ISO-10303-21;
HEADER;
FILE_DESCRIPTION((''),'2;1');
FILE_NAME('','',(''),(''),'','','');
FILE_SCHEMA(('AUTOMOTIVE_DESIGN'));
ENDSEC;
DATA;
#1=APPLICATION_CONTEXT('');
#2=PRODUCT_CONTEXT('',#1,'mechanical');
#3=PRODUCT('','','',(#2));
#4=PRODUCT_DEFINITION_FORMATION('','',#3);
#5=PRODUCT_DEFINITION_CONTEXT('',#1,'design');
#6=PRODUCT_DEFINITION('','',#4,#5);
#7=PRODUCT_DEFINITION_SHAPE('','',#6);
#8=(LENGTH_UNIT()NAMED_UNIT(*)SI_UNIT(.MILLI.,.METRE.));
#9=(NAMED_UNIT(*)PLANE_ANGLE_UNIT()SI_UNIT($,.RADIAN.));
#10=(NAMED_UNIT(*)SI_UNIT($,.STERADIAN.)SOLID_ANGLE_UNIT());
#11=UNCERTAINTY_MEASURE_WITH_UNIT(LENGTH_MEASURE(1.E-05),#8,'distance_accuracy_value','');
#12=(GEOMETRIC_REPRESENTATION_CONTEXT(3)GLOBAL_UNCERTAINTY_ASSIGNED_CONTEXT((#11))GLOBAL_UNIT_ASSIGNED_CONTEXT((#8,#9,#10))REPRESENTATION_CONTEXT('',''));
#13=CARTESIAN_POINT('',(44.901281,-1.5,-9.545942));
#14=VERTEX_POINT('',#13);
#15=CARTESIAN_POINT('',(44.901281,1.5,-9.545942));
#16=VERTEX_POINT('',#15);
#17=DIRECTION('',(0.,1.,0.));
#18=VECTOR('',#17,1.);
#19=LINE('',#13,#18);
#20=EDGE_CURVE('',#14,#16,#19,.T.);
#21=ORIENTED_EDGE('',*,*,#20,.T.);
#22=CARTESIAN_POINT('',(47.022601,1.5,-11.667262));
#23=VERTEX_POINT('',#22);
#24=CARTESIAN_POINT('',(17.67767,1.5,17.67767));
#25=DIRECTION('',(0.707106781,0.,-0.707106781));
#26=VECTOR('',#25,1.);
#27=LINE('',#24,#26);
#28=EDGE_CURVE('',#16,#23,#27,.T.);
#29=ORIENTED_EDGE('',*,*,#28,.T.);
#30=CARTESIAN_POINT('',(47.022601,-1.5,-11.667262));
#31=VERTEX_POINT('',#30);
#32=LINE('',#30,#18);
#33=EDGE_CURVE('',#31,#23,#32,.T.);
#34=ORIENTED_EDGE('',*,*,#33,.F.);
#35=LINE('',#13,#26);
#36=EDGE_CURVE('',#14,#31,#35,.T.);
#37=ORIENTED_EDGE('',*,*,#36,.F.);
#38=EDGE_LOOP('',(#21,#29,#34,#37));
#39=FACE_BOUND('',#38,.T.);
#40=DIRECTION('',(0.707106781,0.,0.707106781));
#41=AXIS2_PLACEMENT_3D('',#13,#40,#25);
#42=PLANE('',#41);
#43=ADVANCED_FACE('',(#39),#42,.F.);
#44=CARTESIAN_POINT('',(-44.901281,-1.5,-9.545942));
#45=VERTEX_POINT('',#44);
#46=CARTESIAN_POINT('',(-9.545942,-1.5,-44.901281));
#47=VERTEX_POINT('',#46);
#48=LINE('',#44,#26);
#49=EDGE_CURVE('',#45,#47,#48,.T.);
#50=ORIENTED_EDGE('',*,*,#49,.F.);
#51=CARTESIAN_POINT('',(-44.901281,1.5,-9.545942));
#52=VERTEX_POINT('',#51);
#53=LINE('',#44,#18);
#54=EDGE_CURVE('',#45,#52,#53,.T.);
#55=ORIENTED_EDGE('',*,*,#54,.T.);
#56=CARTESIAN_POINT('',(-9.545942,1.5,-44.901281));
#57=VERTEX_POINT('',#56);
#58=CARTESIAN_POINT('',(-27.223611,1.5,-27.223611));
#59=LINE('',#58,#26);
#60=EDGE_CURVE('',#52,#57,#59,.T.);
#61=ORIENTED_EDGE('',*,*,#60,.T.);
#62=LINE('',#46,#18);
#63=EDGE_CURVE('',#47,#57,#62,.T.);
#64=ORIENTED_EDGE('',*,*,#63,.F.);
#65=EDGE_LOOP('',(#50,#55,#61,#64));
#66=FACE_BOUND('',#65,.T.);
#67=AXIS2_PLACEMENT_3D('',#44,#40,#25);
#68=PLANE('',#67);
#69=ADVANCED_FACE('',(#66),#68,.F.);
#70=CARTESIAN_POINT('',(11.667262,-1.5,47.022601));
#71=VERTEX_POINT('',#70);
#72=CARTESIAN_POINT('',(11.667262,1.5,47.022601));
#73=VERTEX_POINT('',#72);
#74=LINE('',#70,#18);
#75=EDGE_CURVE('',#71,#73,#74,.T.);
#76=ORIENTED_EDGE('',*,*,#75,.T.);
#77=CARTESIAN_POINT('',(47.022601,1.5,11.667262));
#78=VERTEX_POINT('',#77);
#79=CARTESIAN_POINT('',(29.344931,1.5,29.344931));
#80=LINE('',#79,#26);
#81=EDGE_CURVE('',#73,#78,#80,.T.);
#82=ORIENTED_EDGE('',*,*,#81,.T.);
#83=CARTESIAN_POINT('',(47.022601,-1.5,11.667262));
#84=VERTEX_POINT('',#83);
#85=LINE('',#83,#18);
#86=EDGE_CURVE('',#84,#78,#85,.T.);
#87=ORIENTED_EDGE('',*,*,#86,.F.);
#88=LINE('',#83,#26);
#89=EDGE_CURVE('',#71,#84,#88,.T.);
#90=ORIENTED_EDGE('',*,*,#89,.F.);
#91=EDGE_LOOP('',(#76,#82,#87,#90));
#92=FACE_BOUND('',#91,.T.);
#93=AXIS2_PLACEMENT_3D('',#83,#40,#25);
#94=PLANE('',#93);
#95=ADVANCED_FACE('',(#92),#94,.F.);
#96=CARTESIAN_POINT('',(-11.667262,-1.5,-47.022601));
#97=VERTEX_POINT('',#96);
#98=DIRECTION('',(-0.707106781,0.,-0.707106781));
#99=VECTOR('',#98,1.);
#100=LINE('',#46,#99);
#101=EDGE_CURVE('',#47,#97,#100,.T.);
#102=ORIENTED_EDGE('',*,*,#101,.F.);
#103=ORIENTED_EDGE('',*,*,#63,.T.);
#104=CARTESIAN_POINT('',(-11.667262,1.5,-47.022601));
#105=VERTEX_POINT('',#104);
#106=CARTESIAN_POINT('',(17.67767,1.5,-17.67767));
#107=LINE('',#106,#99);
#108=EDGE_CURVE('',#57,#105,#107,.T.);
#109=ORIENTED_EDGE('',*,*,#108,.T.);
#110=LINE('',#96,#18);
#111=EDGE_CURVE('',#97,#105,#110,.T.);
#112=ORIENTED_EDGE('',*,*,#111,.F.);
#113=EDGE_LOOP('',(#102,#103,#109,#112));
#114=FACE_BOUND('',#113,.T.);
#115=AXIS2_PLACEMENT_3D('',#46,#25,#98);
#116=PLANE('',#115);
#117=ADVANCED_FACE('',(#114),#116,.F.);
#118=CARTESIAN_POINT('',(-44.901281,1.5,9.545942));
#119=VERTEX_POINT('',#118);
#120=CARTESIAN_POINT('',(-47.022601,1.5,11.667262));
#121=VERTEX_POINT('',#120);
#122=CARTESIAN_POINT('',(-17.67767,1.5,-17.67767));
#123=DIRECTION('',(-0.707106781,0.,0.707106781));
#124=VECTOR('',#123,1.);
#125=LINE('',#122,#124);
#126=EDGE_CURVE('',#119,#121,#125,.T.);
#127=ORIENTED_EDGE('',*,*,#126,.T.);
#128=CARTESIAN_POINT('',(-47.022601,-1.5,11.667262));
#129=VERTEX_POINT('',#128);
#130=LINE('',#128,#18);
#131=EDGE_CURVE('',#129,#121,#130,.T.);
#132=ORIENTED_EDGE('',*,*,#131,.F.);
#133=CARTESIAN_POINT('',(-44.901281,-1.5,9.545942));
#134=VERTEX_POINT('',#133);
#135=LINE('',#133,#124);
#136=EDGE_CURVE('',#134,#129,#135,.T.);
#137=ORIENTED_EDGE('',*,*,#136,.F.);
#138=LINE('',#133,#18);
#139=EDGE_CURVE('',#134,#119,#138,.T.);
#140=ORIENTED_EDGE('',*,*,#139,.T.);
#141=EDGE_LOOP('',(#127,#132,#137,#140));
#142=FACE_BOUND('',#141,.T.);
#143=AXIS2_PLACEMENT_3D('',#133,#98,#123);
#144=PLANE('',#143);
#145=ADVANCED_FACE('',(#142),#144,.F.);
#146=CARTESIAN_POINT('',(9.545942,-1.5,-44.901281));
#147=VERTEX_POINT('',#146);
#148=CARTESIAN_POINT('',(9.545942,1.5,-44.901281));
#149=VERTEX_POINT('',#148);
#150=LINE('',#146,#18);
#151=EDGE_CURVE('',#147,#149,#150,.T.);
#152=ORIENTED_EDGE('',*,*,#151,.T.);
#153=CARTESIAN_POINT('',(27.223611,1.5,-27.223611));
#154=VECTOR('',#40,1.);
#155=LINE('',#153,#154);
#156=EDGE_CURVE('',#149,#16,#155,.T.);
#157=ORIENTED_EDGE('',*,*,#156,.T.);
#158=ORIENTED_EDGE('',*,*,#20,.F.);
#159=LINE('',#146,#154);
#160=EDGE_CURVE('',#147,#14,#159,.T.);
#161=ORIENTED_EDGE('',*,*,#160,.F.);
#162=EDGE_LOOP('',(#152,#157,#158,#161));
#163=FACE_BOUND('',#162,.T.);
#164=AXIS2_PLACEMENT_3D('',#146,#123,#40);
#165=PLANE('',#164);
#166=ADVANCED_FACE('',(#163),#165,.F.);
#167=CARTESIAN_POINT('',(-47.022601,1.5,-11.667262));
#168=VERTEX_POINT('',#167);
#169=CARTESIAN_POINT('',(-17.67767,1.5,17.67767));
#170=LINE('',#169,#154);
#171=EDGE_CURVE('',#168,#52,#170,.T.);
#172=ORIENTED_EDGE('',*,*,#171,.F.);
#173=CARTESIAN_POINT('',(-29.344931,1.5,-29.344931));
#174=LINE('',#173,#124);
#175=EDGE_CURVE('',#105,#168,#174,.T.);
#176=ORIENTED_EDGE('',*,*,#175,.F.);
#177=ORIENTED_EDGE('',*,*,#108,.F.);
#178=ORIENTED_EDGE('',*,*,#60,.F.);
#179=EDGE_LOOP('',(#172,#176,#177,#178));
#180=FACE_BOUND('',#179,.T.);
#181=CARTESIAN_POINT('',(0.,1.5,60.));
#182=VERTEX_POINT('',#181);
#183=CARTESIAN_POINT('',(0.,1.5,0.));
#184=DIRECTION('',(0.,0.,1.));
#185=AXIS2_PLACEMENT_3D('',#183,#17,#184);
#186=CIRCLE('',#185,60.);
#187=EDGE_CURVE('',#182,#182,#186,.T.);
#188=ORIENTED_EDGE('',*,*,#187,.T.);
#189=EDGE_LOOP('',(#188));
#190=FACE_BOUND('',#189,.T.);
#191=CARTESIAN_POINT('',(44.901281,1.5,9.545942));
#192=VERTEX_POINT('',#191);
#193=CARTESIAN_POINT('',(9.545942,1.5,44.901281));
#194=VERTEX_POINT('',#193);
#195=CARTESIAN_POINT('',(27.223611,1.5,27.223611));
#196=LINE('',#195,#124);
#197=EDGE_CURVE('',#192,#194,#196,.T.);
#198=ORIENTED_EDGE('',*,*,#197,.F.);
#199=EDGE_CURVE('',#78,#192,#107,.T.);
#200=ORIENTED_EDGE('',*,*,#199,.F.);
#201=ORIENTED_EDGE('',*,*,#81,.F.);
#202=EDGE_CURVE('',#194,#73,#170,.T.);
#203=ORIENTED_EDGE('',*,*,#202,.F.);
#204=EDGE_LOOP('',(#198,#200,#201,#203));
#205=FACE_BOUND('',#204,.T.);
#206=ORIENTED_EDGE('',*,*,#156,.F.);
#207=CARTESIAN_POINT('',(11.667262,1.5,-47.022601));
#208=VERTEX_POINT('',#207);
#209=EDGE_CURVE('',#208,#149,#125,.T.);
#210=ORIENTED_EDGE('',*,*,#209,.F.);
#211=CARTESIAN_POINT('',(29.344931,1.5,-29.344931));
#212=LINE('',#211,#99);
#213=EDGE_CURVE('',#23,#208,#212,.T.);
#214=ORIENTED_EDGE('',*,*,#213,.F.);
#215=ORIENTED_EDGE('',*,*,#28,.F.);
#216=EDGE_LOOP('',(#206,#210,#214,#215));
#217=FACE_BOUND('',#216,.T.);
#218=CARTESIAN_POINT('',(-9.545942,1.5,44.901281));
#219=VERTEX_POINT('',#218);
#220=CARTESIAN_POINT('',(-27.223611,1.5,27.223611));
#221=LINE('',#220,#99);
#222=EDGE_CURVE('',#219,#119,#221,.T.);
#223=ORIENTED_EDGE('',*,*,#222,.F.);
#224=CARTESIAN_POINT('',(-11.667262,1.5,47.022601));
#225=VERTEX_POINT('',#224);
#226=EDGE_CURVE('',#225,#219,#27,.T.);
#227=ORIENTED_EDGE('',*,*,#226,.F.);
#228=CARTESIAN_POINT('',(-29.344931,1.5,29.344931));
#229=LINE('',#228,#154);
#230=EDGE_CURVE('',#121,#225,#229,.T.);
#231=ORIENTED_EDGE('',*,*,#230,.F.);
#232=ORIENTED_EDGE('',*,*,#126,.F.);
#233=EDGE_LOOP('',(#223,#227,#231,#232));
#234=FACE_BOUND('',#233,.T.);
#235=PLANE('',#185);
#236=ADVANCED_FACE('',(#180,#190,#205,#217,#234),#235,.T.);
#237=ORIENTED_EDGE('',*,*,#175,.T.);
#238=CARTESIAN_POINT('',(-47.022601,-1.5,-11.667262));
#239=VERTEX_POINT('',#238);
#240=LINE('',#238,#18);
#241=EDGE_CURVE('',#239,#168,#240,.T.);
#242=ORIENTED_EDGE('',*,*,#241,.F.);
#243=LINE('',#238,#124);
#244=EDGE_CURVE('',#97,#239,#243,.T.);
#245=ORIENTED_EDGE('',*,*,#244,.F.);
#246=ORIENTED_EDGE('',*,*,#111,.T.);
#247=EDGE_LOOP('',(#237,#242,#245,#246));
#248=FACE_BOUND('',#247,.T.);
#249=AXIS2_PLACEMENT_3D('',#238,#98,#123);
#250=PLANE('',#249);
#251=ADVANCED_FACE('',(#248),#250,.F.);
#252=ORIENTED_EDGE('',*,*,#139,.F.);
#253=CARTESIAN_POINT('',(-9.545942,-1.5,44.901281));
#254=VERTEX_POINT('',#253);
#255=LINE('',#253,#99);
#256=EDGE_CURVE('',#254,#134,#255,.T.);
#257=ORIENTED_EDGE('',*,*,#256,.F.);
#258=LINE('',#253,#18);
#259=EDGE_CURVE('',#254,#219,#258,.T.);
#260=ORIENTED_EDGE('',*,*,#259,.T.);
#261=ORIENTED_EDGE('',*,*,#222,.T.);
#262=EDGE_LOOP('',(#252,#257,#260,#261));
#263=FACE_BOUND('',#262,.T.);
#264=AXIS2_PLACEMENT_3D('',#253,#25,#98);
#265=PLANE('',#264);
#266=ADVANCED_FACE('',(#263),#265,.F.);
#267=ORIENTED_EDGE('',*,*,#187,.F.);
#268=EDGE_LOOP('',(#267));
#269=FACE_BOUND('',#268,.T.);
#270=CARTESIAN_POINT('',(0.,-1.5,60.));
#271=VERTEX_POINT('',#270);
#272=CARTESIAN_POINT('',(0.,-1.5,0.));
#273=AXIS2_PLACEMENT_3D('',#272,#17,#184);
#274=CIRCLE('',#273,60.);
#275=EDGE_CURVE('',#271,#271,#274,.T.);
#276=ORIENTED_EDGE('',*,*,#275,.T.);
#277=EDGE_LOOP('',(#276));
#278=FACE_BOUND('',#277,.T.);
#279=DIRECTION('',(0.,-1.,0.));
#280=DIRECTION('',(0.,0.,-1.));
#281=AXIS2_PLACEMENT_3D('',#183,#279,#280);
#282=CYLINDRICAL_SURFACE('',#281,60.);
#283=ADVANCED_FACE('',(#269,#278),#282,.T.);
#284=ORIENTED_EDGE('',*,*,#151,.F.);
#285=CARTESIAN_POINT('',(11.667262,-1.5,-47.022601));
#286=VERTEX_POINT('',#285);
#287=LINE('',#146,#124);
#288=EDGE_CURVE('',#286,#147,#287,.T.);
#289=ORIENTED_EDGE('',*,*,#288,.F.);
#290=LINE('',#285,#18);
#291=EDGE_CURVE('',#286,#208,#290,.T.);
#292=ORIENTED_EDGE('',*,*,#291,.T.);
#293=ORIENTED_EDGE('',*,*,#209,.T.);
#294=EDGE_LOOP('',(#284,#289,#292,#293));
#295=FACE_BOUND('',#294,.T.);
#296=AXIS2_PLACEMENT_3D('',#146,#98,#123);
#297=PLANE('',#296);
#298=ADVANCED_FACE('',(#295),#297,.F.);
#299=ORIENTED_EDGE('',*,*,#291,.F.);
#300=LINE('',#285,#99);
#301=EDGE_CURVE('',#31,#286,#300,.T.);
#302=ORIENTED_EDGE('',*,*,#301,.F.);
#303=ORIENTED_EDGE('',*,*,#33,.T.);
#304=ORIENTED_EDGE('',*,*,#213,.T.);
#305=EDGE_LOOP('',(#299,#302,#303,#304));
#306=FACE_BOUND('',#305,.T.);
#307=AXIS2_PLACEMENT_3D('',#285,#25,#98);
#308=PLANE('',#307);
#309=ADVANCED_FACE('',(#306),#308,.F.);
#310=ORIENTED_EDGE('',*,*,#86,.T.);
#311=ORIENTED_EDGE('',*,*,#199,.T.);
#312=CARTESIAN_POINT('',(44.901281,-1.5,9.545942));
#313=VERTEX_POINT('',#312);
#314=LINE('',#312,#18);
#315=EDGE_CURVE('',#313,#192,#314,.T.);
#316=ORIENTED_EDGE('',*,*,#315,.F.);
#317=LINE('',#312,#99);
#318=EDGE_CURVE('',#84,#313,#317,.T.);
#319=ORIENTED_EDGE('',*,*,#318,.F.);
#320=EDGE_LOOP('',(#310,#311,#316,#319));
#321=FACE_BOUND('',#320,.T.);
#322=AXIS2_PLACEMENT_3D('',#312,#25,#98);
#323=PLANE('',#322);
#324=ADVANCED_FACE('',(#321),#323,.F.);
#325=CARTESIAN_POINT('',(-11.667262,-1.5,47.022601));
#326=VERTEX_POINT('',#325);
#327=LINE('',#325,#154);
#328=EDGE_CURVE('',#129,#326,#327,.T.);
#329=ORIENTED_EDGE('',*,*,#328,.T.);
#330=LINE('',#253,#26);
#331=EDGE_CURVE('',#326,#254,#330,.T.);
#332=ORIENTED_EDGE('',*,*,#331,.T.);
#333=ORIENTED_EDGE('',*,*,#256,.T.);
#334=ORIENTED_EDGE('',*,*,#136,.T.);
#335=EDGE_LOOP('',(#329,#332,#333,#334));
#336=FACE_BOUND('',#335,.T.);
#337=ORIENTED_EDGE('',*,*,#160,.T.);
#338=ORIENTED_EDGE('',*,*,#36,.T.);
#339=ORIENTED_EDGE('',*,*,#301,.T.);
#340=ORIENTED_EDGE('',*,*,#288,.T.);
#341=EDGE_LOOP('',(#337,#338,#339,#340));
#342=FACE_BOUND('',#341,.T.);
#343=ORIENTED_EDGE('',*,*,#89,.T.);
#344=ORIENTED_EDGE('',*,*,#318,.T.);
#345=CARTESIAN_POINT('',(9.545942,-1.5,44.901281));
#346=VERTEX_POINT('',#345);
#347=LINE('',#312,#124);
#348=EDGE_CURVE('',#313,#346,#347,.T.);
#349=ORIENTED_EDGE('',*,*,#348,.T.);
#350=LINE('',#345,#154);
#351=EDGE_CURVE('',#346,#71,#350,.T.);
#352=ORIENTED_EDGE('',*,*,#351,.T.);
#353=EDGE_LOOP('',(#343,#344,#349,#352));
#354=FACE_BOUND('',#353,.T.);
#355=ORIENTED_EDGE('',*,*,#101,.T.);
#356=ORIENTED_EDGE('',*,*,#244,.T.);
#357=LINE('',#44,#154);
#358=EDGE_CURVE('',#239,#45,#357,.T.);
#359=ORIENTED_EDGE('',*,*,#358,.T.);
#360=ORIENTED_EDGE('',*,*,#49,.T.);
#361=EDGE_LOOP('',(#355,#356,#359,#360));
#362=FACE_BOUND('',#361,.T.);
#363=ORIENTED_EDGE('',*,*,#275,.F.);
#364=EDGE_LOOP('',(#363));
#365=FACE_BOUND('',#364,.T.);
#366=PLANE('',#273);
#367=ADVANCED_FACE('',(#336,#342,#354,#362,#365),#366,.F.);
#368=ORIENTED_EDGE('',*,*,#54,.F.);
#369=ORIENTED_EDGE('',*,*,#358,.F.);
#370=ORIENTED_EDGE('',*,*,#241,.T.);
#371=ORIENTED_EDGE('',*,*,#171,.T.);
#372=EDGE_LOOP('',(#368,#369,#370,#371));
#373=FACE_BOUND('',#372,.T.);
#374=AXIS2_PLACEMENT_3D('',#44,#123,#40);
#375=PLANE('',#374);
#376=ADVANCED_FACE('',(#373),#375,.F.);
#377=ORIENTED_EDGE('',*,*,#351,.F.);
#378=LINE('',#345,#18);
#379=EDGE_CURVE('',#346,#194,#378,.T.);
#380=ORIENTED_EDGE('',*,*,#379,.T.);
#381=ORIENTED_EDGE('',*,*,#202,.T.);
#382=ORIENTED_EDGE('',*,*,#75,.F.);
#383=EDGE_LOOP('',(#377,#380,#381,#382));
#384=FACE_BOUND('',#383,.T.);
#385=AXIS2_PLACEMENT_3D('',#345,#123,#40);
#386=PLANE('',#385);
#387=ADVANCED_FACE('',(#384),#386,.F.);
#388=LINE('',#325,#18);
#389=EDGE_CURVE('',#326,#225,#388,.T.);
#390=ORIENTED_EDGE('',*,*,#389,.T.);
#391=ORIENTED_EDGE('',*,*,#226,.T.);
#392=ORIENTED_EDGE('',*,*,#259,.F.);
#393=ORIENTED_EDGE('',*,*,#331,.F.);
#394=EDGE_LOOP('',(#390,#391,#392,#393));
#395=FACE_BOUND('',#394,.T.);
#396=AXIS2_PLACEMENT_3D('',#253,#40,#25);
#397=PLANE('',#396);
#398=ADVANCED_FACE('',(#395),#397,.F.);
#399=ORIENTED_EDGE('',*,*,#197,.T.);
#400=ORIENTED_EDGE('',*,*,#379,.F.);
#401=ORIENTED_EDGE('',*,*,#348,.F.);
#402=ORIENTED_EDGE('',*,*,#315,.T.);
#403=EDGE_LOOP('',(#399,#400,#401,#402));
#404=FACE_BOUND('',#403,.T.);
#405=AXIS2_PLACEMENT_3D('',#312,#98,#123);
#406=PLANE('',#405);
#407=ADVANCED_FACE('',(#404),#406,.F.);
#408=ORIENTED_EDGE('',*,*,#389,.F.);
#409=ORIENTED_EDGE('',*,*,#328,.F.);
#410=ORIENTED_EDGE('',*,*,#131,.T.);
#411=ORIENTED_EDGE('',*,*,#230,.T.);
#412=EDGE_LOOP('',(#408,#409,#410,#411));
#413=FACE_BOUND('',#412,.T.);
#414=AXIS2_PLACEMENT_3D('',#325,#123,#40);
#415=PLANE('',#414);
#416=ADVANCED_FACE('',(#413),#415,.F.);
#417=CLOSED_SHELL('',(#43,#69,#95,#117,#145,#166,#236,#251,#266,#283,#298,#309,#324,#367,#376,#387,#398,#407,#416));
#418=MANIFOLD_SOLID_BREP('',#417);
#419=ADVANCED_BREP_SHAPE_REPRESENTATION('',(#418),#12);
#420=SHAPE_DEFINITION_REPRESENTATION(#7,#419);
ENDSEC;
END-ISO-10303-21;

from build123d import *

# Parameters (mm, degrees)
SKETCH1_R           = 60
BOSS_EXTRUDE1_DEPTH = 1.5
CUT_EXTRUDE3_START  = -4
CUT_EXTRUDE3_DEPTH  = 5
CIRPATTERN1_COUNT   = 4


with BuildPart() as part:
    # Sketch1 → Boss-Extrude1 (new body, symmetric)
    with BuildSketch(Plane(origin=(0, 0, 0), x_dir=(1, 0, 0), z_dir=(0, 1, 0))):
        Circle(SKETCH1_R)
    extrude(amount=BOSS_EXTRUDE1_DEPTH, both=True)

    # Sketch4 → Cut-Extrude3 (cut)
    with BuildSketch(Plane(origin=(0, 1.5, 0), x_dir=(1, 0, 0), z_dir=(0, 1, 0)).offset(CUT_EXTRUDE3_START)):
        Polygon((9.545941546, 44.901280605), (44.901280605, 9.545941546), (47.022600949, 11.66726189), (11.66726189, 47.022600949), align=None)
    cut_extrude3 = extrude(amount=CUT_EXTRUDE3_DEPTH, mode=Mode.SUBTRACT)

    # CirPattern1: Cut-Extrude3 ×4 about axis
    cirpattern1_axis = Axis((0, 0, 0), (0, 1, 0))
    for i in range(1, CIRPATTERN1_COUNT):
        add(cut_extrude3.rotate(cirpattern1_axis, i * 360 / CIRPATTERN1_COUNT), mode=Mode.SUBTRACT)


solid = part.part
